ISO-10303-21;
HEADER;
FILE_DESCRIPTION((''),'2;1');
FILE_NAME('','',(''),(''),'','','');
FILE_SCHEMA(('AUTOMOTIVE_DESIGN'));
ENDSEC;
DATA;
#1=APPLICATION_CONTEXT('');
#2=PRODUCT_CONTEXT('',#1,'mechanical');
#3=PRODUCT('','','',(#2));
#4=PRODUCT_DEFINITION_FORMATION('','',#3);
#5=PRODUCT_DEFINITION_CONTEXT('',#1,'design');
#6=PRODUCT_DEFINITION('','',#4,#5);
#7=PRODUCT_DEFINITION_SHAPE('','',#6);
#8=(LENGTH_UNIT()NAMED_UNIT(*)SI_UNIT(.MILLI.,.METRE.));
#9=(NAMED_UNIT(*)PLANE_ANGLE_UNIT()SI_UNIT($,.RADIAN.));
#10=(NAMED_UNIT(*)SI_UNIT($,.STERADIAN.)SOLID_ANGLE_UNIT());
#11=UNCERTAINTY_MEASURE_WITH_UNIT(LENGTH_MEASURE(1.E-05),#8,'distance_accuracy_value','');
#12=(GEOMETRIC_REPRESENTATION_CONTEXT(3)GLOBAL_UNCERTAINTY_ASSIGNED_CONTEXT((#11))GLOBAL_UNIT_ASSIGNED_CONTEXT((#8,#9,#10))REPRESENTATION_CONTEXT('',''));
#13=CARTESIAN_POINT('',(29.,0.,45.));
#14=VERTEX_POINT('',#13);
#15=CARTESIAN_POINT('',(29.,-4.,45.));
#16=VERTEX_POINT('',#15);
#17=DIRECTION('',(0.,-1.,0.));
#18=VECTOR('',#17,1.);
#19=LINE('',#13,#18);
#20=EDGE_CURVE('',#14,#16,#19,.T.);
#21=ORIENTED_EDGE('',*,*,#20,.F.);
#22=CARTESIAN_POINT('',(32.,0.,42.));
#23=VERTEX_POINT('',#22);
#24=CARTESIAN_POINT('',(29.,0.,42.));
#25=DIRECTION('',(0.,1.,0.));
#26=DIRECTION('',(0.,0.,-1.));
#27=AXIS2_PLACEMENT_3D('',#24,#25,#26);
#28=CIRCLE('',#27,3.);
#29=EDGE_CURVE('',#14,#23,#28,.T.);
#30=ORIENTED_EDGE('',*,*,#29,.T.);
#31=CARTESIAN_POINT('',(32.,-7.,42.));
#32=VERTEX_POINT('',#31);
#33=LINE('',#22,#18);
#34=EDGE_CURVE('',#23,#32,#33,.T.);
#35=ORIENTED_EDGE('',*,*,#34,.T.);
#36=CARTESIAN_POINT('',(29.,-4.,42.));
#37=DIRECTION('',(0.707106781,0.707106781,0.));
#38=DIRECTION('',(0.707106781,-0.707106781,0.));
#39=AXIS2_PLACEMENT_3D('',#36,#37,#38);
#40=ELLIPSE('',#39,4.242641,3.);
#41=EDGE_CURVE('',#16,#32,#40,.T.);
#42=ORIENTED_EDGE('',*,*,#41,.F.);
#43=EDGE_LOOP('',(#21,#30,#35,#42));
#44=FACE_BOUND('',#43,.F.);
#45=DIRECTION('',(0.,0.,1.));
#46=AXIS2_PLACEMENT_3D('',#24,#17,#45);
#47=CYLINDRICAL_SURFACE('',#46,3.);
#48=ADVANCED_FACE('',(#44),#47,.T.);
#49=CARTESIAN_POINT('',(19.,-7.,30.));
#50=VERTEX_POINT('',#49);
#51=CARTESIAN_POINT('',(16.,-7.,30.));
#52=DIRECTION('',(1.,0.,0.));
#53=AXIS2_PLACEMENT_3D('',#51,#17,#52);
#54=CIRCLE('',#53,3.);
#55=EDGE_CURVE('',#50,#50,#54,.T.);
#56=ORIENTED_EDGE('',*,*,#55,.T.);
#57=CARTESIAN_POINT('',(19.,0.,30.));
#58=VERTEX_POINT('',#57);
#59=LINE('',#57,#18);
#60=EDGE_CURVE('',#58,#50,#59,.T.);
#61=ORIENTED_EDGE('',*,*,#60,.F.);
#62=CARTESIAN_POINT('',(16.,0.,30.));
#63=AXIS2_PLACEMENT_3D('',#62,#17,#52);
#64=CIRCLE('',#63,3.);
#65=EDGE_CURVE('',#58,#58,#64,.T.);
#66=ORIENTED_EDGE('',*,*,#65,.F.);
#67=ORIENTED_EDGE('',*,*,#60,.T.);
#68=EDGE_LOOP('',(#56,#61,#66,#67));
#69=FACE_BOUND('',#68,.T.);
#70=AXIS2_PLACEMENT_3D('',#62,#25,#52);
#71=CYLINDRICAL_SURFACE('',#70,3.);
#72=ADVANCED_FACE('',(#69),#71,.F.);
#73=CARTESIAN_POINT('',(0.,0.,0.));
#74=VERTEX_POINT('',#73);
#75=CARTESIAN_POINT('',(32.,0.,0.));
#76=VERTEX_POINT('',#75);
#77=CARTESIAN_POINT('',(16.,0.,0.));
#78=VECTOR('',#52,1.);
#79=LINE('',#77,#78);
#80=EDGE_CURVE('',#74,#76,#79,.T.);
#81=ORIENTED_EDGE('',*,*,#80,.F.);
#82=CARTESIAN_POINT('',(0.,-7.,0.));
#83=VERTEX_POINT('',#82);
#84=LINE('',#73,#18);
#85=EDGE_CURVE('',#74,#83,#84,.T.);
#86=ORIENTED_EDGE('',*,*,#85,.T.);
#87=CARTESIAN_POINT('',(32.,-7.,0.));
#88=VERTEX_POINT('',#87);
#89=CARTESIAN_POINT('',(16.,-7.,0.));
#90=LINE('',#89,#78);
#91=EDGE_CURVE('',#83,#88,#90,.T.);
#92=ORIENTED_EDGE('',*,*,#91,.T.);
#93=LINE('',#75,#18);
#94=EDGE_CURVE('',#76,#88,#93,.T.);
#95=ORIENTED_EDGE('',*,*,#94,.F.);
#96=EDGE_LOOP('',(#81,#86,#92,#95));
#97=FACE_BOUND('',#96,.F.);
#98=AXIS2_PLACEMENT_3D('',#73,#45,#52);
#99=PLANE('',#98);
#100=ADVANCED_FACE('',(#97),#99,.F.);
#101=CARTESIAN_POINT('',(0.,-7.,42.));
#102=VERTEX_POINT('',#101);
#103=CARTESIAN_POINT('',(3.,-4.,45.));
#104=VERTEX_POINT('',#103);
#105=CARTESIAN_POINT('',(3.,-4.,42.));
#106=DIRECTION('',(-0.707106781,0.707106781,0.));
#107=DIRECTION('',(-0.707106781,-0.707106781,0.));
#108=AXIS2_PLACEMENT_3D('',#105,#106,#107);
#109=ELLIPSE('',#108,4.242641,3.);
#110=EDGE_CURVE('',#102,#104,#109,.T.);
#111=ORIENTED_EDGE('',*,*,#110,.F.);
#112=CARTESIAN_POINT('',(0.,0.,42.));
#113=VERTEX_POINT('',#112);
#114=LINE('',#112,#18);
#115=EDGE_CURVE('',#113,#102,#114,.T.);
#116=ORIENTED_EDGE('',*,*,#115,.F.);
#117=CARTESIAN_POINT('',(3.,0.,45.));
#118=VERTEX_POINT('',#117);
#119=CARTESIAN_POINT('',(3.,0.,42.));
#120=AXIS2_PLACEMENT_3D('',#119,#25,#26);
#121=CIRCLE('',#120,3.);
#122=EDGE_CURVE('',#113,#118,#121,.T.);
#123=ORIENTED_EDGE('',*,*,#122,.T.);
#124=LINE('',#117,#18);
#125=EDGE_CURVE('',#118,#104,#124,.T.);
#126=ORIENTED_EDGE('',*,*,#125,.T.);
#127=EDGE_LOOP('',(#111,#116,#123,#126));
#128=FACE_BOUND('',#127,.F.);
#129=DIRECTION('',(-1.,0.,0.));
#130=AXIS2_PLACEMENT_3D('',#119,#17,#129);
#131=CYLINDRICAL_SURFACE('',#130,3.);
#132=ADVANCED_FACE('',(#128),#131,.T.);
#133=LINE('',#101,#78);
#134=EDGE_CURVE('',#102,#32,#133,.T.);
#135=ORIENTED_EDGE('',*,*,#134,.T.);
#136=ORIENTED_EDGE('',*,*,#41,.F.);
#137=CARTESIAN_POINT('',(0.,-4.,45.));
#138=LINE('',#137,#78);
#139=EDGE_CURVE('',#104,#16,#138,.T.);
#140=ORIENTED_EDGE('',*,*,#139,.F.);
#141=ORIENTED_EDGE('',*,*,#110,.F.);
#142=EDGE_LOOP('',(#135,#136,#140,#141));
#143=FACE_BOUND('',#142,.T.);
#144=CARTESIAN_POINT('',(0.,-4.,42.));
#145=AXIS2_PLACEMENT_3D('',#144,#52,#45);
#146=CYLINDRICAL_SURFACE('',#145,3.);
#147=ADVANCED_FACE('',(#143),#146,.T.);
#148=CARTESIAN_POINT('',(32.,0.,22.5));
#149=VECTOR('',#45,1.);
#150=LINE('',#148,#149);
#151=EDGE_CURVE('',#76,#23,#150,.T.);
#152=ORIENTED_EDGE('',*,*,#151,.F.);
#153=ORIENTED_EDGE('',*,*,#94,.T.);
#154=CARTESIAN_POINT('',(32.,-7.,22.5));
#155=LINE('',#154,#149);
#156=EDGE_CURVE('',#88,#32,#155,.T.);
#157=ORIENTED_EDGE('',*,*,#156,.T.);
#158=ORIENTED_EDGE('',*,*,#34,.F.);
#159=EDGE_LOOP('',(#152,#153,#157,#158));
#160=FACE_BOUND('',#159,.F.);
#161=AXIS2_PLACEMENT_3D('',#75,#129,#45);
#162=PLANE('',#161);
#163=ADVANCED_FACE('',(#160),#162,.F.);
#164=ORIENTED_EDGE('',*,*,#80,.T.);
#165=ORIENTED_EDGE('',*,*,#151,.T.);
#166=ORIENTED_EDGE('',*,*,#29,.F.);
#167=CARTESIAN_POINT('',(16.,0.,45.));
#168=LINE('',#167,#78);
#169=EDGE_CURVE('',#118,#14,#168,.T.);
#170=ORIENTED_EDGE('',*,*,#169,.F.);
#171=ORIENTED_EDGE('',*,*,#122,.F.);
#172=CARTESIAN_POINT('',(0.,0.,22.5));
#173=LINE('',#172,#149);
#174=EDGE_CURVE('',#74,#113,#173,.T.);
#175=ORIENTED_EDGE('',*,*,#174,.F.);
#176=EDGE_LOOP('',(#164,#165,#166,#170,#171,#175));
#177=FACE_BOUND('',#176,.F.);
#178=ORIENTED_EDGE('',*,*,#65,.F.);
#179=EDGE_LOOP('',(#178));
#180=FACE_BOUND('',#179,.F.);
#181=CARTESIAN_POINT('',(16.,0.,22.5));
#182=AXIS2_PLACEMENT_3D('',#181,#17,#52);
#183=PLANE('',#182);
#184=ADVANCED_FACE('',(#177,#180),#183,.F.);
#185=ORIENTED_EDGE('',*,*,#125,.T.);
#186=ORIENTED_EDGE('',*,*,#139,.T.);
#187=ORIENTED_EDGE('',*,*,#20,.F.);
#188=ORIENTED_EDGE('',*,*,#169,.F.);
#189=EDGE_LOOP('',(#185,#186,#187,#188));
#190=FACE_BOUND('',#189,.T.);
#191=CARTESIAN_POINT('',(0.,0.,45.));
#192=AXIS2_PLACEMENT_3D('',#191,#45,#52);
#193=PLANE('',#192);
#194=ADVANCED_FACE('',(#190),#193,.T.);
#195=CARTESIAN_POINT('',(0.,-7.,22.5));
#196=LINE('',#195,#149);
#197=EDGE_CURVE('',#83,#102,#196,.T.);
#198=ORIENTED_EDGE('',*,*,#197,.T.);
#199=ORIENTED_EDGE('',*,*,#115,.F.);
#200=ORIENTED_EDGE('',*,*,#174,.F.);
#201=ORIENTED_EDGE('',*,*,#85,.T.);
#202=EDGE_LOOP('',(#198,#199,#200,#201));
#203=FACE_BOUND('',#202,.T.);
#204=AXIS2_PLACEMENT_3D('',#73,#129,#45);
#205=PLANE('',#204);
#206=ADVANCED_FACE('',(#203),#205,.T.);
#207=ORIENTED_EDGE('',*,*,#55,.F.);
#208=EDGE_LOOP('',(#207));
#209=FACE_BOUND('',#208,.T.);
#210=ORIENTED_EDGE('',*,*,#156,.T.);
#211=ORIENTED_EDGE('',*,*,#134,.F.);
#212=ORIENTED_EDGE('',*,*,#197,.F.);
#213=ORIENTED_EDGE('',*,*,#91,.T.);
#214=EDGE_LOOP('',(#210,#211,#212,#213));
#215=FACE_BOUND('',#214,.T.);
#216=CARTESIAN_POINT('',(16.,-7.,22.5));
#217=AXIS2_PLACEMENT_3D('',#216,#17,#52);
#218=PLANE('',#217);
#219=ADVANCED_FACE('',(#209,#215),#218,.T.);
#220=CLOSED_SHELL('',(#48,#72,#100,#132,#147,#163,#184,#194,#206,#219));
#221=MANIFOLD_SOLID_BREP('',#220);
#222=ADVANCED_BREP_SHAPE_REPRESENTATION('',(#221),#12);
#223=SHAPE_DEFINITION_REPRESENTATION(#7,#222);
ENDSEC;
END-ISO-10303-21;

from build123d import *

# Parameters (mm, degrees)
F0_W     = 32
F0_H     = 45
F0_R     = 3
F1_DEPTH = 7
F2_R     = 3


with BuildPart() as f1:
    # F0 (on Front) → F1 (new body)
    with BuildSketch(Plane.XZ):
        with Locations((16, 22.5)):
            Rectangle(F0_W, F0_H)
        with Locations((16, 30)):
            Circle(F0_R, mode=Mode.SUBTRACT)
    extrude(amount=F1_DEPTH)

    # F2
    f2_edges = [f1.edges().sort_by_distance(p)[0] for p in [
        (32, -3.5, 45),
        (0, -3.5, 45),
        (16, -7, 45),
    ]]
    fillet(f2_edges, radius=F2_R)


solid = f1.part
